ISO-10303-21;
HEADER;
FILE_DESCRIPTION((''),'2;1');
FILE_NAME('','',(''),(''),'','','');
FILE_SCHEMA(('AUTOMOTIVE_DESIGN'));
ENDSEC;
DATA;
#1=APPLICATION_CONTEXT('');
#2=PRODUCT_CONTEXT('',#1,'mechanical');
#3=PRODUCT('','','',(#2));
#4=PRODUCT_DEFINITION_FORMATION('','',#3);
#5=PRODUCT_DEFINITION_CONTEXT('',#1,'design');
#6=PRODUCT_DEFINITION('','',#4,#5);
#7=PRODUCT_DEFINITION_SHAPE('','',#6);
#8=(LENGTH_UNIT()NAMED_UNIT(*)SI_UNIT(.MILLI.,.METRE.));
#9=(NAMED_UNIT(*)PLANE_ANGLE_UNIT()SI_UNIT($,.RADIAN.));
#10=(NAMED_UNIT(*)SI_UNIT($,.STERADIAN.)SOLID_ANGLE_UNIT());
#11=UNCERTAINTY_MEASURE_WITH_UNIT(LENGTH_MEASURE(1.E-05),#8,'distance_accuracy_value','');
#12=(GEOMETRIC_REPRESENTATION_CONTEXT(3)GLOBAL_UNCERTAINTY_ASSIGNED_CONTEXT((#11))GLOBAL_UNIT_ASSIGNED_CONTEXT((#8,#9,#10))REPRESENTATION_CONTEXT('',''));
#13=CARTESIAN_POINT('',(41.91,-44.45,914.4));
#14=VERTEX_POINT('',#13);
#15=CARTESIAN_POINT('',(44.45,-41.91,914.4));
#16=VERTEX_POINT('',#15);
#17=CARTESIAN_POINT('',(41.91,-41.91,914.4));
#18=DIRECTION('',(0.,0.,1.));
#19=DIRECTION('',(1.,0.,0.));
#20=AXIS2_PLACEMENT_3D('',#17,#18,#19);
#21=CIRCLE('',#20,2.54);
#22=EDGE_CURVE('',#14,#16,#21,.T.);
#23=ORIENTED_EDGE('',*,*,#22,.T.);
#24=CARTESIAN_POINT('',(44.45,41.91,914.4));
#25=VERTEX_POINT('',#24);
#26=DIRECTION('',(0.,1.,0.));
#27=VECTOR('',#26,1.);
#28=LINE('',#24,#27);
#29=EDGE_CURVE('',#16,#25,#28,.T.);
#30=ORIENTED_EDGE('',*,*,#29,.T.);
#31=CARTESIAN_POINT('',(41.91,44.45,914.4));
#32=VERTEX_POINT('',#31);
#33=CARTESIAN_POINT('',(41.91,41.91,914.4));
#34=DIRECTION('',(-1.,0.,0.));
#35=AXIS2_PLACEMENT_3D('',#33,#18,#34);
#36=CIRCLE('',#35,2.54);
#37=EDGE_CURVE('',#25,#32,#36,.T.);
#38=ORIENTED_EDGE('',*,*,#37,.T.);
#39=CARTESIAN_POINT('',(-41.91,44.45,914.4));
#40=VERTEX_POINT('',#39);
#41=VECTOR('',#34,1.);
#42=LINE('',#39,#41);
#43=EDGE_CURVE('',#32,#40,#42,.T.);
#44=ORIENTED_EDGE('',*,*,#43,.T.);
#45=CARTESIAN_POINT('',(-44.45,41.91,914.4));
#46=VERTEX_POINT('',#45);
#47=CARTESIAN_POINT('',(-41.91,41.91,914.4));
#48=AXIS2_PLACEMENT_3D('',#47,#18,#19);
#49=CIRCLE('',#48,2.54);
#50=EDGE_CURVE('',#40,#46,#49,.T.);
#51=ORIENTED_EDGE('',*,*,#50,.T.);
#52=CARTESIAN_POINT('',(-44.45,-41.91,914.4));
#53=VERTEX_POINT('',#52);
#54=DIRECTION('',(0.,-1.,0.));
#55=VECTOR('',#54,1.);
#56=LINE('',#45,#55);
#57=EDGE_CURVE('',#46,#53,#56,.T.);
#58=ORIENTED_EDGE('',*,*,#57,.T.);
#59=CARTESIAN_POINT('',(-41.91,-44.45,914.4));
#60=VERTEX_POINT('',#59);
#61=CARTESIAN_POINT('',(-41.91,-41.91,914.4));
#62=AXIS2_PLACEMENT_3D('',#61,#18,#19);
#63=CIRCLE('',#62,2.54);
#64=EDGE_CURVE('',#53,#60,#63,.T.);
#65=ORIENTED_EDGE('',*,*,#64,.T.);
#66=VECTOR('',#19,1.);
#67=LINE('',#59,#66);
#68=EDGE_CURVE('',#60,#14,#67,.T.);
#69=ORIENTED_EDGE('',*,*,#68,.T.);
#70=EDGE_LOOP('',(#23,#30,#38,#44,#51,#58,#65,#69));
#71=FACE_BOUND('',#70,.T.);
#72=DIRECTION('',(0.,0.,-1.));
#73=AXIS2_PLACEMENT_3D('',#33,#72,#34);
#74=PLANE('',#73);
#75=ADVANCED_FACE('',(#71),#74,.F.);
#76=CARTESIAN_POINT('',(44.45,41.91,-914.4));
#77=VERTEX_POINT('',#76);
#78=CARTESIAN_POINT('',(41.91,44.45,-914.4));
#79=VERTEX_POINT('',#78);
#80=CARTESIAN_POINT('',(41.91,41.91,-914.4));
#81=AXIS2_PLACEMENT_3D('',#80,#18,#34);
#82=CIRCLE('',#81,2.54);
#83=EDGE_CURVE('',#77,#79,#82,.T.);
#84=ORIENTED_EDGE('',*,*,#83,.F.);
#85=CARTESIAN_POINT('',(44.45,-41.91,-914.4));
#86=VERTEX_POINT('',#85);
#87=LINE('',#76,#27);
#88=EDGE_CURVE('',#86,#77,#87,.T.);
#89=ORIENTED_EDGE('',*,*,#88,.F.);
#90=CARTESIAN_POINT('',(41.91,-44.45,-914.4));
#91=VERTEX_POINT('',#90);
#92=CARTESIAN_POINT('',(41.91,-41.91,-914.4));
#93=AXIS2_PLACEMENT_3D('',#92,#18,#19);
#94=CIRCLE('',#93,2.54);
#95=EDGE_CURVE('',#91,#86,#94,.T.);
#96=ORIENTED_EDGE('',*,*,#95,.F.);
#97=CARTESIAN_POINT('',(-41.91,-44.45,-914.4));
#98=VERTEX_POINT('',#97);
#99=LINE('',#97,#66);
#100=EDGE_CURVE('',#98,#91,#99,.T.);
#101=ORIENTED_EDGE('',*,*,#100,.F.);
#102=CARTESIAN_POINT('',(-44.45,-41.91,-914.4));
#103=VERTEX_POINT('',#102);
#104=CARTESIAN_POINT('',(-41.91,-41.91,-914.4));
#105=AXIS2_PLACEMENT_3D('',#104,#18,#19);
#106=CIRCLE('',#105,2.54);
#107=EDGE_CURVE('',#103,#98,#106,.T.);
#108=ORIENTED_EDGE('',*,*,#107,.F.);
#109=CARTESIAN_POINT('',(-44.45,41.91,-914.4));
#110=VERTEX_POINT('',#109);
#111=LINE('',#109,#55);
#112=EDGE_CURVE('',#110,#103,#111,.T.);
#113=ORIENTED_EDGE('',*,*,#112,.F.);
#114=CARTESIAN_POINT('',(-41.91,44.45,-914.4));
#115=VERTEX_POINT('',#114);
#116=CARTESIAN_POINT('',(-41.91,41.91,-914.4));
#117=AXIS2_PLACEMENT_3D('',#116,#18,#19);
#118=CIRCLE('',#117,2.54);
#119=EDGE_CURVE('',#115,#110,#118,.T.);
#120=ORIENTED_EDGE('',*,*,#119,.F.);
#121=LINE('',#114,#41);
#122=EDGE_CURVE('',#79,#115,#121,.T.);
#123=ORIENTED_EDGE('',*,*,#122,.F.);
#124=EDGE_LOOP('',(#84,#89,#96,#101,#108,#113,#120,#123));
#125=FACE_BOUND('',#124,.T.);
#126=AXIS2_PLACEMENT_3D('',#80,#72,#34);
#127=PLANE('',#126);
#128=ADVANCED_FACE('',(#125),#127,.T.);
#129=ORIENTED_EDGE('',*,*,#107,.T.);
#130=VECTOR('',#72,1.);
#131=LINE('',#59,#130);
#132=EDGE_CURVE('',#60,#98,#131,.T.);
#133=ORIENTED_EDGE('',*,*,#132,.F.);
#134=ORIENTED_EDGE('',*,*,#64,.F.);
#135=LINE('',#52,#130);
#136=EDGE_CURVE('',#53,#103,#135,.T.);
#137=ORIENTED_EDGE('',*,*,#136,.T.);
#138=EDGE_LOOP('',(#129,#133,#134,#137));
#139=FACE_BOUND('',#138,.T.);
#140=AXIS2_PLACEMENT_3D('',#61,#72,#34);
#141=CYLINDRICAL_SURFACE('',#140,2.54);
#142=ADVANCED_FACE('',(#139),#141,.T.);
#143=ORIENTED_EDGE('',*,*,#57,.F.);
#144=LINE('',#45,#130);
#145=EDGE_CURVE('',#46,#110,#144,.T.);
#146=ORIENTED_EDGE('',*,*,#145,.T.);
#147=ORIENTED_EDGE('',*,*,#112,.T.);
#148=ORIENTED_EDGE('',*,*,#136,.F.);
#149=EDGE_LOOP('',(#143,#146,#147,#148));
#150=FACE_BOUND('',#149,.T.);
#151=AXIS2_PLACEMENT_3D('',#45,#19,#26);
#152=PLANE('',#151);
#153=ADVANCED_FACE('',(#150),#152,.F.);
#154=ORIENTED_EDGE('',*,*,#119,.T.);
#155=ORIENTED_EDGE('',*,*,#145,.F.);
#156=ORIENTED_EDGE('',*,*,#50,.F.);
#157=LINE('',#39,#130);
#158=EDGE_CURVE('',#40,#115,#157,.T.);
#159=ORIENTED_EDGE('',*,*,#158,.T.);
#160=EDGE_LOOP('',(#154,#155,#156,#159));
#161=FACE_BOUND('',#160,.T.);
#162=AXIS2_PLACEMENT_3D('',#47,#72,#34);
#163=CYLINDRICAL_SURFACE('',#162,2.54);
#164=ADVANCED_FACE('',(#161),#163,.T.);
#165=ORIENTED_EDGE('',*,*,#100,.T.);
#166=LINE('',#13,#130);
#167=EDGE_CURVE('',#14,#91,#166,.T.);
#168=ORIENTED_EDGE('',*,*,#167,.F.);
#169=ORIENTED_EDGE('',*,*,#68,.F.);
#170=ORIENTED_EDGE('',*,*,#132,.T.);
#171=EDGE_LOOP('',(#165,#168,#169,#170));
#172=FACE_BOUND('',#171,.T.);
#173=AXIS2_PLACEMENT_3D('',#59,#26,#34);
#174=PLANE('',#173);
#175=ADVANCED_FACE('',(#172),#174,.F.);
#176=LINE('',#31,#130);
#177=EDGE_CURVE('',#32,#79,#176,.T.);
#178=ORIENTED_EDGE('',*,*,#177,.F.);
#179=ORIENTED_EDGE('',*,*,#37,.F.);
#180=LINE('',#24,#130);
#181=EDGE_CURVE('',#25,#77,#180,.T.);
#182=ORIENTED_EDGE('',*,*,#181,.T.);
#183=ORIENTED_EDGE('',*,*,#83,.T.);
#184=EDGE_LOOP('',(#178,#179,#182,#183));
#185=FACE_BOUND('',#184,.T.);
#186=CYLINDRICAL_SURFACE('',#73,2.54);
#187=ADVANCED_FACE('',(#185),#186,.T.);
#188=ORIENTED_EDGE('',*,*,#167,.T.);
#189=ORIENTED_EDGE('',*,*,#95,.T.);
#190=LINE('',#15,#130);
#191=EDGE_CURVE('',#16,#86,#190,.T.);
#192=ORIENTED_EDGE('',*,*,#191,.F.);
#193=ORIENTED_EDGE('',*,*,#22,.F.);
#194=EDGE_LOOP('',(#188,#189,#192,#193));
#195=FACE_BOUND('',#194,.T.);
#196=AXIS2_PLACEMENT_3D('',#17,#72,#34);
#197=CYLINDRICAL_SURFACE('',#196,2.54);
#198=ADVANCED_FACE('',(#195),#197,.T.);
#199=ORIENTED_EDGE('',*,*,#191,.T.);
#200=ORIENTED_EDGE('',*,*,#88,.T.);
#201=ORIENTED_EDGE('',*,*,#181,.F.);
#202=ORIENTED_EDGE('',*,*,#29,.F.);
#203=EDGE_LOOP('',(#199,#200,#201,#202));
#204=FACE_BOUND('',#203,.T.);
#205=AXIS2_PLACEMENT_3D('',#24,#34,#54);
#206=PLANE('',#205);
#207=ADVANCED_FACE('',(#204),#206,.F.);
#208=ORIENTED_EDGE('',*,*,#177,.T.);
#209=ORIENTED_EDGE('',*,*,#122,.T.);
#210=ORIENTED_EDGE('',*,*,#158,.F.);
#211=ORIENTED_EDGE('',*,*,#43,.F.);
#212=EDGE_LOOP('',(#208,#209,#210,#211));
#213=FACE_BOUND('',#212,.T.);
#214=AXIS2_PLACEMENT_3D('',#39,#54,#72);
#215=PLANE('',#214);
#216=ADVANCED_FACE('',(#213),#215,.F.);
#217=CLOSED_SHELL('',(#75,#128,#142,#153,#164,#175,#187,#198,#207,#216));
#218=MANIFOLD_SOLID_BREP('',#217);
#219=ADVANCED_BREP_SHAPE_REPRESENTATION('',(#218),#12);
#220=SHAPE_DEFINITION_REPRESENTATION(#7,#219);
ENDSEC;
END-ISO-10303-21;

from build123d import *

# Parameters (mm, degrees)
BOSS_EXTRUDE1_DEPTH = 914.4


with BuildPart() as part:
    # Sketch1 → Boss-Extrude1 (new, symmetric)
    with BuildSketch(Plane.XY):
        with BuildLine():
            Line((-41.91, 44.45), (41.91, 44.45))
            ThreePointArc((41.91, 44.45), (43.706051224, 43.706051224), (44.45, 41.91))
            Line((44.45, 41.91), (44.45, -41.91))
            ThreePointArc((44.45, -41.91), (43.706051224, -43.706051224), (41.91, -44.45))
            Line((41.91, -44.45), (-41.91, -44.45))
            ThreePointArc((-41.91, -44.45), (-43.706051224, -43.706051224), (-44.45, -41.91))
            Line((-44.45, -41.91), (-44.45, 41.91))
            ThreePointArc((-44.45, 41.91), (-43.706051224, 43.706051224), (-41.91, 44.45))
        make_face()
    extrude(amount=BOSS_EXTRUDE1_DEPTH, both=True)


solid = part.part
